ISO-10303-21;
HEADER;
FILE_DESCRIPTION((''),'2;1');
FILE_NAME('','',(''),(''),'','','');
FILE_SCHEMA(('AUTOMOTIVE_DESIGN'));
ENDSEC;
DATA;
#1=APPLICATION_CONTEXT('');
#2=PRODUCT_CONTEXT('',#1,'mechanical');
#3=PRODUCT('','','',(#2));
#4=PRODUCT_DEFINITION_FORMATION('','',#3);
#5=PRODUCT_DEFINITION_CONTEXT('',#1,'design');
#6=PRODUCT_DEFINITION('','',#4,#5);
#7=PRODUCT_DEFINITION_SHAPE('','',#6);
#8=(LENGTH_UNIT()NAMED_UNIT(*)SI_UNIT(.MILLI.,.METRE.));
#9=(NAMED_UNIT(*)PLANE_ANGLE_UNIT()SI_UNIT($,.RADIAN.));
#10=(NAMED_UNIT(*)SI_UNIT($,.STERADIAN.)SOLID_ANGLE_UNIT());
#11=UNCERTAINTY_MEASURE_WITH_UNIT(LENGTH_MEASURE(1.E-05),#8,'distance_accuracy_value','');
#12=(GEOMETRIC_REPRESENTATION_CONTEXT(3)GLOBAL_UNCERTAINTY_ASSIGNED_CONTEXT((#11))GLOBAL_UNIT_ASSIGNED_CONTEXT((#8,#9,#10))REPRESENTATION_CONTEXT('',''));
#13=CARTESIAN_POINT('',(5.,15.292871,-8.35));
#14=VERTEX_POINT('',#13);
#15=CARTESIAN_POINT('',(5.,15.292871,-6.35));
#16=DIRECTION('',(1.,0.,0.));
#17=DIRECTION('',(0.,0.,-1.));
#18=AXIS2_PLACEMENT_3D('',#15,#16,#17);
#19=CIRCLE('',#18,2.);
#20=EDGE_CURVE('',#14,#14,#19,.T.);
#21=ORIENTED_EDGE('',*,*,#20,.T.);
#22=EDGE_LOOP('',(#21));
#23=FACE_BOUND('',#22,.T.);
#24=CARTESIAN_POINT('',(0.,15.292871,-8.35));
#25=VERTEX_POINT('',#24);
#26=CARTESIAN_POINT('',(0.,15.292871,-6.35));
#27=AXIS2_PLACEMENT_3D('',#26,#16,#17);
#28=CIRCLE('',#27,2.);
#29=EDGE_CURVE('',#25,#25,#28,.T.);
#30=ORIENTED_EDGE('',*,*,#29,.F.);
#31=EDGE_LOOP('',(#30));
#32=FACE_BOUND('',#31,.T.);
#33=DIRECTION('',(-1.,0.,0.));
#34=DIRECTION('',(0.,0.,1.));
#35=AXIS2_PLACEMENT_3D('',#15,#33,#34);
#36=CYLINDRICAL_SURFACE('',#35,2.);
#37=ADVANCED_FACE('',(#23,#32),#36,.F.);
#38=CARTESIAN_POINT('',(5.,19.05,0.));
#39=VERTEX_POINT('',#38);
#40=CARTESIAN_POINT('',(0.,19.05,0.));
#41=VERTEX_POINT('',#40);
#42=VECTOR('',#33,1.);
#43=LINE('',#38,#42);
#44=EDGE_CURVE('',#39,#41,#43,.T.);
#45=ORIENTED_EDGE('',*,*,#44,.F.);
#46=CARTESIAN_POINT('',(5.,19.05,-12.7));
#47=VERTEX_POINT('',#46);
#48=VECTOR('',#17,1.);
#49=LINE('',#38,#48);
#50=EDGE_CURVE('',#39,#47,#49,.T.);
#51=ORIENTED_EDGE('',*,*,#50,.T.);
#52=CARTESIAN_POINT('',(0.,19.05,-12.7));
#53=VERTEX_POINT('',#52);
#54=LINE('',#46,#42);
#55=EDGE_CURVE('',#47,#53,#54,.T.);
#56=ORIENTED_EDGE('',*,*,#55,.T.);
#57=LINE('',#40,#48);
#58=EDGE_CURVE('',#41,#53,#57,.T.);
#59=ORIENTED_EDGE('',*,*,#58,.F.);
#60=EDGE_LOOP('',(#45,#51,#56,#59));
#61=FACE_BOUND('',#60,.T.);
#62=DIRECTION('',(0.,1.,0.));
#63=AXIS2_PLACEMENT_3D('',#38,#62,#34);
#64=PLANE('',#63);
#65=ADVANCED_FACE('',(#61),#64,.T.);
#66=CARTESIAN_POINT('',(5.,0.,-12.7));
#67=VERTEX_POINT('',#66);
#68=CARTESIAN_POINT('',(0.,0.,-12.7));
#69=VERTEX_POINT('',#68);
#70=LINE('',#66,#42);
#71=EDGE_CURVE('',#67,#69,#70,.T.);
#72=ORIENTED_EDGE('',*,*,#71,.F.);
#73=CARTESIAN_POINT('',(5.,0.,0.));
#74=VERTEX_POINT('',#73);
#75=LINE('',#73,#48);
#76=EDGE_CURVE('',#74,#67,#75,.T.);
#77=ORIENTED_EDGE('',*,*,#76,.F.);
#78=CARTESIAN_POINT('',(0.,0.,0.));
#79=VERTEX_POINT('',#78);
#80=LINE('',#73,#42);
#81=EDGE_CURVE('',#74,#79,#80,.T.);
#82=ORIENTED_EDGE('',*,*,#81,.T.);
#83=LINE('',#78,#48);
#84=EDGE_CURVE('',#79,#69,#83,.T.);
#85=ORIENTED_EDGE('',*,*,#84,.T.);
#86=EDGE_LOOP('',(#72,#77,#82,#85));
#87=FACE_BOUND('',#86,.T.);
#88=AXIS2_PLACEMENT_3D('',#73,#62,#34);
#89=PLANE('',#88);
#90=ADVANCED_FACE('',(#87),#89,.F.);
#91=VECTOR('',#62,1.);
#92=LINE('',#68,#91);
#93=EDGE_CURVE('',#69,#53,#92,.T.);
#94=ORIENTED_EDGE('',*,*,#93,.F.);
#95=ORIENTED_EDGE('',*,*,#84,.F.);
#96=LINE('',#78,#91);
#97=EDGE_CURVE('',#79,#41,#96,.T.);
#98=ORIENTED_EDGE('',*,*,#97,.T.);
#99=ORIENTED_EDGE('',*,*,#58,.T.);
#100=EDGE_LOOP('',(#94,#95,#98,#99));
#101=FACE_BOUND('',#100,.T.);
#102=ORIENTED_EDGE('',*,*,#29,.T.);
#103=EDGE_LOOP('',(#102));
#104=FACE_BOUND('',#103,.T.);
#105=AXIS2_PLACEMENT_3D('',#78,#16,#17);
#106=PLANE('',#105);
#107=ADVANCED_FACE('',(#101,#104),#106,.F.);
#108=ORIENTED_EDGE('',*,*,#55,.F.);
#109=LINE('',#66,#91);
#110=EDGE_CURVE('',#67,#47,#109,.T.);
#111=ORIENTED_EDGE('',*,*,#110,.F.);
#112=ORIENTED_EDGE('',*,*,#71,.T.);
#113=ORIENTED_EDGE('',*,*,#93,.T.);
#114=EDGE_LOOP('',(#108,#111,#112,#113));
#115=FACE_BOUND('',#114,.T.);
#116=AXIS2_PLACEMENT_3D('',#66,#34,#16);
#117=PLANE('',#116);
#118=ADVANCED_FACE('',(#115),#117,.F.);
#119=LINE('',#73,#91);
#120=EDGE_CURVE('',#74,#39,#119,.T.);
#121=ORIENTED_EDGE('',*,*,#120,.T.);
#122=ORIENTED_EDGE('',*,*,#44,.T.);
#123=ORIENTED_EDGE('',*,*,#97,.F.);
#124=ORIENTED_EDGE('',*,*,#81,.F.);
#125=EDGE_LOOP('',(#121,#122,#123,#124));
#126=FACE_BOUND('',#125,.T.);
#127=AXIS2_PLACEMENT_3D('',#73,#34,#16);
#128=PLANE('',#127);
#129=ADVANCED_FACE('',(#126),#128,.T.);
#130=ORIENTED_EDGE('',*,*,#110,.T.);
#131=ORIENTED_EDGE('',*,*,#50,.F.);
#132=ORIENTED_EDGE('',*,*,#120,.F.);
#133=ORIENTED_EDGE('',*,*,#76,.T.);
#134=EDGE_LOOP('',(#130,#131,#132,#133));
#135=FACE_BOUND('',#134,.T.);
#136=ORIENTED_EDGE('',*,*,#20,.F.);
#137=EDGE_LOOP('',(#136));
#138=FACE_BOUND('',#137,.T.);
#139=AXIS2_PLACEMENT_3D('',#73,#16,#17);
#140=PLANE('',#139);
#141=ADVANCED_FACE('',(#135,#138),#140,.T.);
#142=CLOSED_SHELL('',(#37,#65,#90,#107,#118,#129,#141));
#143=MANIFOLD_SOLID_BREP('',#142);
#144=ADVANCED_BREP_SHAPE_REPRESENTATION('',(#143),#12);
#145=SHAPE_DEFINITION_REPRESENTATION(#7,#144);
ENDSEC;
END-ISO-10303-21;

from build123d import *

# Parameters (mm, degrees)
BOSS_EXTRUDE1_DEPTH = 5


with BuildPart() as part:
    # Sketch1 → Boss-Extrude1 (new body)
    with BuildSketch(Plane(origin=(0, 0, 0), x_dir=(0, 0, -1), z_dir=(1, 0, 0))):
        with BuildLine():
            Line((6.35, 17.292870535), (6.35, 19.05))
            Line((6.35, 19.05), (0, 19.05))
            Line((0, 19.05), (0, 0))
            Line((0, 0), (6.35, 0))
            Line((6.35, 0), (6.35, 13.292870535))
            ThreePointArc((6.35, 13.292870535), (4.35, 15.292870535), (6.35, 17.292870535))
        make_face()
        with BuildLine():
            Line((12.7, 19.05), (6.35, 19.05))
            Line((6.35, 19.05), (6.35, 17.292870535))
            ThreePointArc((6.35, 17.292870535), (7.764213562, 16.707084098), (8.35, 15.292870535))
            ThreePointArc((8.35, 15.292870535), (7.764213562, 13.878656973), (6.35, 13.292870535))
            Line((6.35, 13.292870535), (6.35, 0))
            Line((6.35, 0), (12.7, 0))
            Line((12.7, 0), (12.7, 19.05))
        make_face()
    extrude(amount=BOSS_EXTRUDE1_DEPTH)


solid = part.part
